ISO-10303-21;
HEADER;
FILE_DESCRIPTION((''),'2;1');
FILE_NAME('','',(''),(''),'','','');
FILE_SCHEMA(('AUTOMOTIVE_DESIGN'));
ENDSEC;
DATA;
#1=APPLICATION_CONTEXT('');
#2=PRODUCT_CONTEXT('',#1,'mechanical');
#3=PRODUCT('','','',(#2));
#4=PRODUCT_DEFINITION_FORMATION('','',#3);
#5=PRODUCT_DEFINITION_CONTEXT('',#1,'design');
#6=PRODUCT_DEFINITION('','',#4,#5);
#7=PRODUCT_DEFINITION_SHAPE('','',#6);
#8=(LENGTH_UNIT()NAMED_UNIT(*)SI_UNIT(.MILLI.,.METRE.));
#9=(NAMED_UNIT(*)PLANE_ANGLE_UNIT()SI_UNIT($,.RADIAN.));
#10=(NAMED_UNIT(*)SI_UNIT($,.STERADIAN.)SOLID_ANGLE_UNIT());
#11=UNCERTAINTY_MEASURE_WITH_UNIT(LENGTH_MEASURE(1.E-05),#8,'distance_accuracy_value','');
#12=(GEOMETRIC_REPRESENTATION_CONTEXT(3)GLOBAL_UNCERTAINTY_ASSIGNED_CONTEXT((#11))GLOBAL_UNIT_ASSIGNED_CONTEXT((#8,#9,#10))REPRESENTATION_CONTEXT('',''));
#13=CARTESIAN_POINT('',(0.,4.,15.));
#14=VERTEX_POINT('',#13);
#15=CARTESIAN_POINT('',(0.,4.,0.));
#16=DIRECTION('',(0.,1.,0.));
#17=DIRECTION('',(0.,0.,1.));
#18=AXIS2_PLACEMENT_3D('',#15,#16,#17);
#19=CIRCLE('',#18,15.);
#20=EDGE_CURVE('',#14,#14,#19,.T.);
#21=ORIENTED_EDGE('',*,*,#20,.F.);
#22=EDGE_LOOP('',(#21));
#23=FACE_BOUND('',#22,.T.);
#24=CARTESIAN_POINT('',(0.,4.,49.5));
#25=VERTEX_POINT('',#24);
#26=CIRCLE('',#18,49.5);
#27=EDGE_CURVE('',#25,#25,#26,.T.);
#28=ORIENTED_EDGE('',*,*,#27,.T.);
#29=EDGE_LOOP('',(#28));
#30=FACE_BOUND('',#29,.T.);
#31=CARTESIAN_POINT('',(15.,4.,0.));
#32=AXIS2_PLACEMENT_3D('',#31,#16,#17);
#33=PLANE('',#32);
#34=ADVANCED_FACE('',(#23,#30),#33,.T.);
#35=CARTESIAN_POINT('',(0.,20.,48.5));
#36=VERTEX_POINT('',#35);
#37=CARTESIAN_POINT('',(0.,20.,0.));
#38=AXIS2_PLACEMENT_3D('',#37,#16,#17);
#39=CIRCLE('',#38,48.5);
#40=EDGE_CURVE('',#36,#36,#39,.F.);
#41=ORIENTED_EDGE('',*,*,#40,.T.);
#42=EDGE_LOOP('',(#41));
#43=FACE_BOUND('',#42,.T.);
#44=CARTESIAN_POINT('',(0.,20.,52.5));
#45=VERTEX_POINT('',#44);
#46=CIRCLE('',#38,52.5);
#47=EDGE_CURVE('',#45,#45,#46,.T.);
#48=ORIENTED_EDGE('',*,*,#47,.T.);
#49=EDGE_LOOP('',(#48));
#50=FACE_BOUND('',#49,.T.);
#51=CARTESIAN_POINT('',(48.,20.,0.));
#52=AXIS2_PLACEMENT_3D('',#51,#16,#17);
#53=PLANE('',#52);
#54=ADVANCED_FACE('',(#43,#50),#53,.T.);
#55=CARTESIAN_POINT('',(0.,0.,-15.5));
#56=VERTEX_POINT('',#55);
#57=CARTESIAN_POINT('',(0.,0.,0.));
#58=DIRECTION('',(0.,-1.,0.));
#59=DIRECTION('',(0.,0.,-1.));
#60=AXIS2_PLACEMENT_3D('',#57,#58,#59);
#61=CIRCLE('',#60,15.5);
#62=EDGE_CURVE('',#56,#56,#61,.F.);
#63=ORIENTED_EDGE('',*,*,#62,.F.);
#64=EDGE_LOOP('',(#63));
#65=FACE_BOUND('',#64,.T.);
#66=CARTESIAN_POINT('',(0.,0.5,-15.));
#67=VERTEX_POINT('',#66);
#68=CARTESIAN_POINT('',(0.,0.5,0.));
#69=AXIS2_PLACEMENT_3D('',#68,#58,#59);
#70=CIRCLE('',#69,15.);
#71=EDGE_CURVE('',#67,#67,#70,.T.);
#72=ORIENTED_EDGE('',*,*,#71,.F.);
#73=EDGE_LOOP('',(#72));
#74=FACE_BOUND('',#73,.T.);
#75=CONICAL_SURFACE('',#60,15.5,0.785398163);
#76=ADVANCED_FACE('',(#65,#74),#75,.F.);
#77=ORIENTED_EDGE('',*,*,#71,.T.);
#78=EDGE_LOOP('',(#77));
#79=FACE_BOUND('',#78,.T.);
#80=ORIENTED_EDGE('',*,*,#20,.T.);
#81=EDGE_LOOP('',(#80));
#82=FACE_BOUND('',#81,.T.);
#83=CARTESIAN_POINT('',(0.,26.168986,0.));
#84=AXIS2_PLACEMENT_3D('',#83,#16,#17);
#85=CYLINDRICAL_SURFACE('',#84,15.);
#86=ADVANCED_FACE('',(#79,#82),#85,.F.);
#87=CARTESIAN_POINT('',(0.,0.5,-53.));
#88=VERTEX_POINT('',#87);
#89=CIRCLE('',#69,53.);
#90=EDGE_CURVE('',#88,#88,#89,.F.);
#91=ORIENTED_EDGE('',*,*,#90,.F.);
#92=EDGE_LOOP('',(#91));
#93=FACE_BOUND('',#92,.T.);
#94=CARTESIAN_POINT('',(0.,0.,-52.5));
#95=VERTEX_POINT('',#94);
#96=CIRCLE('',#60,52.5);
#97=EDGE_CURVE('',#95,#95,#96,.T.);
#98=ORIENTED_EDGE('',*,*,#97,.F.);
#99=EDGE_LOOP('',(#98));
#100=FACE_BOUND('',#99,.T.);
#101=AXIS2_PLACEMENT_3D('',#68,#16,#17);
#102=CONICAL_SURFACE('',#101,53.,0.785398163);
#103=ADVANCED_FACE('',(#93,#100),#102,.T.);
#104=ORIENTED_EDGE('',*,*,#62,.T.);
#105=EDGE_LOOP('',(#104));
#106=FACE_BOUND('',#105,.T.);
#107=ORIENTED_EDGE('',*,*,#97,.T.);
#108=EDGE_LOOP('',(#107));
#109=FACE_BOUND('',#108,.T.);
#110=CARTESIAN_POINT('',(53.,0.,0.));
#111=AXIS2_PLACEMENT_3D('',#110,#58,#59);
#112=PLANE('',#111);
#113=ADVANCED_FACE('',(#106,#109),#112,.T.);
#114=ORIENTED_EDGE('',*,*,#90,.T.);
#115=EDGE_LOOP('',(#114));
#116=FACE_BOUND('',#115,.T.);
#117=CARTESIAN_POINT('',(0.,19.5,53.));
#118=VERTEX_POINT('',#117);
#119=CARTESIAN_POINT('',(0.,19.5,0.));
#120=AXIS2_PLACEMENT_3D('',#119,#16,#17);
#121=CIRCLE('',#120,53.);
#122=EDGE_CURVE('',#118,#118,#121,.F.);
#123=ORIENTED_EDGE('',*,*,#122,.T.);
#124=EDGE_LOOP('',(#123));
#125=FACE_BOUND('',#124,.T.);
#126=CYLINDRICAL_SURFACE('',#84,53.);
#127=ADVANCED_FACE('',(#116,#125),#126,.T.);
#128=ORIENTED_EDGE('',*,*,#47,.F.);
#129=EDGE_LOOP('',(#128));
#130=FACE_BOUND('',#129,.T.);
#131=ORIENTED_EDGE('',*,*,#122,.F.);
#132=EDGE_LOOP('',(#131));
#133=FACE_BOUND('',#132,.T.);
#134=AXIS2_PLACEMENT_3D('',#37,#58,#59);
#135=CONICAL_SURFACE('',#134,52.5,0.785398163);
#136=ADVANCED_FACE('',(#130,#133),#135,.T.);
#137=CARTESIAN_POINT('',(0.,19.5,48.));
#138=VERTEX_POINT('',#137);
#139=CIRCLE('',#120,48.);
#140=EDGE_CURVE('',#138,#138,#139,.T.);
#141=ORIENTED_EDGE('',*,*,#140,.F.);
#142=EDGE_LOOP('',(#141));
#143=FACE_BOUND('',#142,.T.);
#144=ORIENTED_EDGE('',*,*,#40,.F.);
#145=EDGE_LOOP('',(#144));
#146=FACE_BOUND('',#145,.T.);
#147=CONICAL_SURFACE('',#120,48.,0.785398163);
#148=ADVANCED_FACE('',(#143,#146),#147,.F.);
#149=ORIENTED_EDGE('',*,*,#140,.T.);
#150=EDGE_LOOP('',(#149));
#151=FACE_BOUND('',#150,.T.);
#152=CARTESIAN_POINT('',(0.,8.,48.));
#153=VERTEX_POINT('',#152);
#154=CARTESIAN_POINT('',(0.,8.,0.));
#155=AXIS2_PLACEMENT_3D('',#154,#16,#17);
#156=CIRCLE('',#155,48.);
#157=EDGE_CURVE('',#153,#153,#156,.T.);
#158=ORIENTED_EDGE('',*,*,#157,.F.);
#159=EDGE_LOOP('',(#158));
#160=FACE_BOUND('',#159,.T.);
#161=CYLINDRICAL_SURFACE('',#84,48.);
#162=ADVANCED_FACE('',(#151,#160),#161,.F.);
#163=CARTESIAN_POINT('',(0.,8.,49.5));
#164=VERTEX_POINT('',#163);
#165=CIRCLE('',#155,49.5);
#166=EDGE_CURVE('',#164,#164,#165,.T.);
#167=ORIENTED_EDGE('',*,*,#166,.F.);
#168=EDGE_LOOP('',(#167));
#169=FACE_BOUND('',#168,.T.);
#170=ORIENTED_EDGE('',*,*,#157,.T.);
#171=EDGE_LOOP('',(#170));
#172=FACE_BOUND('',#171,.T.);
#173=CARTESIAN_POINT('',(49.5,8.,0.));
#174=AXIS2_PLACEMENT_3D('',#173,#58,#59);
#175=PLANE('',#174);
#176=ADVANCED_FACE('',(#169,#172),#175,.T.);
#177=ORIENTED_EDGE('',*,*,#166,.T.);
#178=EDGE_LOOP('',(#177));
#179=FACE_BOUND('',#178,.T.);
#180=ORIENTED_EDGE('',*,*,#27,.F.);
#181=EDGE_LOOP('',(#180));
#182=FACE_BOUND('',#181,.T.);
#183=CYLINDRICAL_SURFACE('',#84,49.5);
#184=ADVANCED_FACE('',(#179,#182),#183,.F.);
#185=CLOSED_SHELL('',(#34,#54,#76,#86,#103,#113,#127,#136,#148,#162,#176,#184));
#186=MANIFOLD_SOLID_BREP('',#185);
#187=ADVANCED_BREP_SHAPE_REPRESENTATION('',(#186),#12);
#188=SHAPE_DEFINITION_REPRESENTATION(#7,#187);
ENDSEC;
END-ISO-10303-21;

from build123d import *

# Parameters (mm, degrees)
CHAMFER_1_SIZE = 0.5


with BuildPart() as part:
    # Эскиз1 → Повернуть1 (revolve)
    with BuildSketch(Plane.XY):
        Polygon((-53, 20), (-53, 0), (-15, 0), (-15, 4), (-49.5, 4), (-49.5, 8), (-48, 8), (-48, 20), align=None)
    revolve(axis=Axis((0, 26.168985987, 0), (0, -1, 0)))

    # Фаска1
    chamfer_1_edges = [part.edges().sort_by_distance(p)[0] for p in [
        (15, 0, 0),
        (53, 0, 0),
        (53, 20, 0),
        (48, 20, 0),
    ]]
    chamfer(chamfer_1_edges, length=CHAMFER_1_SIZE)


solid = part.part
